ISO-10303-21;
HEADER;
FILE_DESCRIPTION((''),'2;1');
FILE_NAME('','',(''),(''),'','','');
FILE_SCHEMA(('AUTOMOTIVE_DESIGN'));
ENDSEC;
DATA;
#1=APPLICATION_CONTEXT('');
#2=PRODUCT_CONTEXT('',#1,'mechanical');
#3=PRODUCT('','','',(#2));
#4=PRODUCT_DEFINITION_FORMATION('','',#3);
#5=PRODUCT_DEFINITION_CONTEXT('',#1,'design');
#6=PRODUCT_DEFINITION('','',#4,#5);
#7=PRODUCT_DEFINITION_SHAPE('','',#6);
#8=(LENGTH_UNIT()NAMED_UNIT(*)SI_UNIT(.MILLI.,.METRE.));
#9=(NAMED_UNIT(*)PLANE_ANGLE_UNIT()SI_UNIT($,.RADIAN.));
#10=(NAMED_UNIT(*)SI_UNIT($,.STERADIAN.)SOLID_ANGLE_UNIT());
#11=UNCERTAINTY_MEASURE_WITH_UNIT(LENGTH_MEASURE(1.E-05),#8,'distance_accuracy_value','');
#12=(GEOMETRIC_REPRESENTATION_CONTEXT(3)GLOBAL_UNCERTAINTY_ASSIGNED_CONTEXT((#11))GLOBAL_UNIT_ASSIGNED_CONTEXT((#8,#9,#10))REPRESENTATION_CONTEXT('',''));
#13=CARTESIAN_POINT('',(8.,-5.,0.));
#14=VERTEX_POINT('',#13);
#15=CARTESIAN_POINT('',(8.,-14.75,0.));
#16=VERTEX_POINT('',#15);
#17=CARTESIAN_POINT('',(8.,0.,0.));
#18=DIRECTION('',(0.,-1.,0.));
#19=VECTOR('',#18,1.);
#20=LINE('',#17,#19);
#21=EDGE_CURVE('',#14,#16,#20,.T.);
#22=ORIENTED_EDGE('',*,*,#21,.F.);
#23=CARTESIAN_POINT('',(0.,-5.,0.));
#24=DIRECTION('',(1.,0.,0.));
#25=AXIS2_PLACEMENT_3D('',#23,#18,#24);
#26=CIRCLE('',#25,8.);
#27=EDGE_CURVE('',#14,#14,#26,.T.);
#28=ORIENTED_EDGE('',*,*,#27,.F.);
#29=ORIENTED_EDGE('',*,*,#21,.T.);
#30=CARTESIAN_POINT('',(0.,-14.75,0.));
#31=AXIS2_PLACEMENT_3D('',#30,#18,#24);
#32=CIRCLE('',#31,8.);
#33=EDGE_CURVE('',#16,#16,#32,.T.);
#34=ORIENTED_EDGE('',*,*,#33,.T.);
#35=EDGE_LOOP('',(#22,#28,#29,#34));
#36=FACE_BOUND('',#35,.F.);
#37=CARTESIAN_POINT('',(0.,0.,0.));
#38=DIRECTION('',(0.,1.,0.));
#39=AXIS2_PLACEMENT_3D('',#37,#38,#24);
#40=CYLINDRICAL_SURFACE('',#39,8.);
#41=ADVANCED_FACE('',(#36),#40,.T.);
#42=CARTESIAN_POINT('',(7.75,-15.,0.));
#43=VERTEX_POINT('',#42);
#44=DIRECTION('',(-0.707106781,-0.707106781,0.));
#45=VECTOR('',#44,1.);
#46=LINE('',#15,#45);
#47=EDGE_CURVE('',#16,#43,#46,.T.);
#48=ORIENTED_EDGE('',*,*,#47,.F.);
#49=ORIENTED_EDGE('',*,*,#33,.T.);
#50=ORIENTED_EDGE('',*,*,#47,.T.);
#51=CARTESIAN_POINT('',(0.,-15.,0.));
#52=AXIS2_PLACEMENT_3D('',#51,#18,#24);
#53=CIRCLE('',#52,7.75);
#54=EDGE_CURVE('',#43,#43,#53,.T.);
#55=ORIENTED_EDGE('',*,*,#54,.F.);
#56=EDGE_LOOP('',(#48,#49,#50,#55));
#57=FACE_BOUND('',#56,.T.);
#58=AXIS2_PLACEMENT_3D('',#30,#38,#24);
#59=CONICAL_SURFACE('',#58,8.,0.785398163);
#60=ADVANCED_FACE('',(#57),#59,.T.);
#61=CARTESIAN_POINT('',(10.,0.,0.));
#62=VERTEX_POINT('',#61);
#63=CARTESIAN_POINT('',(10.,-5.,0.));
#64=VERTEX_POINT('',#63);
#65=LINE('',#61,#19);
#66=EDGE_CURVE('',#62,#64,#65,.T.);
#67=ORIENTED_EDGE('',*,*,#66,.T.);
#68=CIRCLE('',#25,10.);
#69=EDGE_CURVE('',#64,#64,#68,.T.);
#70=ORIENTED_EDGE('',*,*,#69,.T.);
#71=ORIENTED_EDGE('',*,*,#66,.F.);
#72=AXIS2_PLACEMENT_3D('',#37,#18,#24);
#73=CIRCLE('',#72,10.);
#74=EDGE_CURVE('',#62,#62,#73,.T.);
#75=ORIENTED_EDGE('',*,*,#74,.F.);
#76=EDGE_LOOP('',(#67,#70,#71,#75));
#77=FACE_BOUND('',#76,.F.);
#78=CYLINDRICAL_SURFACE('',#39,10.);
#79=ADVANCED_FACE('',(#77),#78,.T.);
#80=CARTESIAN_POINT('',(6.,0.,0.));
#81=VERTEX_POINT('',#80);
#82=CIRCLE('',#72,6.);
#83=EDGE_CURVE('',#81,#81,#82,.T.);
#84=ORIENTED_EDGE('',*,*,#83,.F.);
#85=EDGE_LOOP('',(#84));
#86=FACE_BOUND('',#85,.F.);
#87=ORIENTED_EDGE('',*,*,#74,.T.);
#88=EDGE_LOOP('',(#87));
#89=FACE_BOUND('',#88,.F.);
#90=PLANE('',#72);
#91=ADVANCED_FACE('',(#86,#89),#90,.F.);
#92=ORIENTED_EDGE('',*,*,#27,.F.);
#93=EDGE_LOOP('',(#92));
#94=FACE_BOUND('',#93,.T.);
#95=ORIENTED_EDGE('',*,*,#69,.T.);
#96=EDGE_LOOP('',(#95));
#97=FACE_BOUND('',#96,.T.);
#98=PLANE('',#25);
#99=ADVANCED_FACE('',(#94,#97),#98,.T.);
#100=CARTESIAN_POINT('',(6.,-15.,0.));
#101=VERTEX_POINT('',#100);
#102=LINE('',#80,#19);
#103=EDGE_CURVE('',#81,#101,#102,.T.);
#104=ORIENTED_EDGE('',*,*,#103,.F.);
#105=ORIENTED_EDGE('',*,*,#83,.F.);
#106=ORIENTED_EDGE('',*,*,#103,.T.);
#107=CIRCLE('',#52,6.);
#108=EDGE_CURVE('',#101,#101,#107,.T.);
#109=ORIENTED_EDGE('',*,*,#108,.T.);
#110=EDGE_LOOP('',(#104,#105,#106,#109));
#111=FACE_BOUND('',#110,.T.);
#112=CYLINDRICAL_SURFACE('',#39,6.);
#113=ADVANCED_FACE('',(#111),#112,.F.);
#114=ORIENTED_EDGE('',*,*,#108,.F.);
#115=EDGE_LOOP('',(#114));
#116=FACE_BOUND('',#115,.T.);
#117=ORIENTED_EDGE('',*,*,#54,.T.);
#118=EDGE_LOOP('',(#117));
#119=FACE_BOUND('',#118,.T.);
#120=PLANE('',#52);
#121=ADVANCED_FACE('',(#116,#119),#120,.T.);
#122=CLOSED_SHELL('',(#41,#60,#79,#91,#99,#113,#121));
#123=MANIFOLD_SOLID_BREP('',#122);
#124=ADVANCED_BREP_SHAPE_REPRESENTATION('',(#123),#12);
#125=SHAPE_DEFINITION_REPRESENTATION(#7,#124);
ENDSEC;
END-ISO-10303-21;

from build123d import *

# Parameters (mm, degrees)
F0_R     = 8
F0_R_2   = 6
F1_DEPTH = 15
F0_R_3   = 10
F2_DEPTH = 5
F3_SIZE  = 0.25


with BuildPart() as f1:
    # F0 (on Front) → F1 (new body)
    with BuildSketch(Plane.XZ):
        Circle(F0_R)
        Circle(F0_R_2, mode=Mode.SUBTRACT)
    extrude(amount=F1_DEPTH)

    # F0 (on Front) → F2 (join)
    with BuildSketch(Plane.XZ):
        Circle(F0_R_3)
        Circle(F0_R, mode=Mode.SUBTRACT)
    extrude(amount=F2_DEPTH)

    # F3
    f3_edges = [f1.edges().sort_by_distance(p)[0] for p in [
        (-8, -15, 0),
    ]]
    chamfer(f3_edges, length=F3_SIZE)


solid = f1.part
